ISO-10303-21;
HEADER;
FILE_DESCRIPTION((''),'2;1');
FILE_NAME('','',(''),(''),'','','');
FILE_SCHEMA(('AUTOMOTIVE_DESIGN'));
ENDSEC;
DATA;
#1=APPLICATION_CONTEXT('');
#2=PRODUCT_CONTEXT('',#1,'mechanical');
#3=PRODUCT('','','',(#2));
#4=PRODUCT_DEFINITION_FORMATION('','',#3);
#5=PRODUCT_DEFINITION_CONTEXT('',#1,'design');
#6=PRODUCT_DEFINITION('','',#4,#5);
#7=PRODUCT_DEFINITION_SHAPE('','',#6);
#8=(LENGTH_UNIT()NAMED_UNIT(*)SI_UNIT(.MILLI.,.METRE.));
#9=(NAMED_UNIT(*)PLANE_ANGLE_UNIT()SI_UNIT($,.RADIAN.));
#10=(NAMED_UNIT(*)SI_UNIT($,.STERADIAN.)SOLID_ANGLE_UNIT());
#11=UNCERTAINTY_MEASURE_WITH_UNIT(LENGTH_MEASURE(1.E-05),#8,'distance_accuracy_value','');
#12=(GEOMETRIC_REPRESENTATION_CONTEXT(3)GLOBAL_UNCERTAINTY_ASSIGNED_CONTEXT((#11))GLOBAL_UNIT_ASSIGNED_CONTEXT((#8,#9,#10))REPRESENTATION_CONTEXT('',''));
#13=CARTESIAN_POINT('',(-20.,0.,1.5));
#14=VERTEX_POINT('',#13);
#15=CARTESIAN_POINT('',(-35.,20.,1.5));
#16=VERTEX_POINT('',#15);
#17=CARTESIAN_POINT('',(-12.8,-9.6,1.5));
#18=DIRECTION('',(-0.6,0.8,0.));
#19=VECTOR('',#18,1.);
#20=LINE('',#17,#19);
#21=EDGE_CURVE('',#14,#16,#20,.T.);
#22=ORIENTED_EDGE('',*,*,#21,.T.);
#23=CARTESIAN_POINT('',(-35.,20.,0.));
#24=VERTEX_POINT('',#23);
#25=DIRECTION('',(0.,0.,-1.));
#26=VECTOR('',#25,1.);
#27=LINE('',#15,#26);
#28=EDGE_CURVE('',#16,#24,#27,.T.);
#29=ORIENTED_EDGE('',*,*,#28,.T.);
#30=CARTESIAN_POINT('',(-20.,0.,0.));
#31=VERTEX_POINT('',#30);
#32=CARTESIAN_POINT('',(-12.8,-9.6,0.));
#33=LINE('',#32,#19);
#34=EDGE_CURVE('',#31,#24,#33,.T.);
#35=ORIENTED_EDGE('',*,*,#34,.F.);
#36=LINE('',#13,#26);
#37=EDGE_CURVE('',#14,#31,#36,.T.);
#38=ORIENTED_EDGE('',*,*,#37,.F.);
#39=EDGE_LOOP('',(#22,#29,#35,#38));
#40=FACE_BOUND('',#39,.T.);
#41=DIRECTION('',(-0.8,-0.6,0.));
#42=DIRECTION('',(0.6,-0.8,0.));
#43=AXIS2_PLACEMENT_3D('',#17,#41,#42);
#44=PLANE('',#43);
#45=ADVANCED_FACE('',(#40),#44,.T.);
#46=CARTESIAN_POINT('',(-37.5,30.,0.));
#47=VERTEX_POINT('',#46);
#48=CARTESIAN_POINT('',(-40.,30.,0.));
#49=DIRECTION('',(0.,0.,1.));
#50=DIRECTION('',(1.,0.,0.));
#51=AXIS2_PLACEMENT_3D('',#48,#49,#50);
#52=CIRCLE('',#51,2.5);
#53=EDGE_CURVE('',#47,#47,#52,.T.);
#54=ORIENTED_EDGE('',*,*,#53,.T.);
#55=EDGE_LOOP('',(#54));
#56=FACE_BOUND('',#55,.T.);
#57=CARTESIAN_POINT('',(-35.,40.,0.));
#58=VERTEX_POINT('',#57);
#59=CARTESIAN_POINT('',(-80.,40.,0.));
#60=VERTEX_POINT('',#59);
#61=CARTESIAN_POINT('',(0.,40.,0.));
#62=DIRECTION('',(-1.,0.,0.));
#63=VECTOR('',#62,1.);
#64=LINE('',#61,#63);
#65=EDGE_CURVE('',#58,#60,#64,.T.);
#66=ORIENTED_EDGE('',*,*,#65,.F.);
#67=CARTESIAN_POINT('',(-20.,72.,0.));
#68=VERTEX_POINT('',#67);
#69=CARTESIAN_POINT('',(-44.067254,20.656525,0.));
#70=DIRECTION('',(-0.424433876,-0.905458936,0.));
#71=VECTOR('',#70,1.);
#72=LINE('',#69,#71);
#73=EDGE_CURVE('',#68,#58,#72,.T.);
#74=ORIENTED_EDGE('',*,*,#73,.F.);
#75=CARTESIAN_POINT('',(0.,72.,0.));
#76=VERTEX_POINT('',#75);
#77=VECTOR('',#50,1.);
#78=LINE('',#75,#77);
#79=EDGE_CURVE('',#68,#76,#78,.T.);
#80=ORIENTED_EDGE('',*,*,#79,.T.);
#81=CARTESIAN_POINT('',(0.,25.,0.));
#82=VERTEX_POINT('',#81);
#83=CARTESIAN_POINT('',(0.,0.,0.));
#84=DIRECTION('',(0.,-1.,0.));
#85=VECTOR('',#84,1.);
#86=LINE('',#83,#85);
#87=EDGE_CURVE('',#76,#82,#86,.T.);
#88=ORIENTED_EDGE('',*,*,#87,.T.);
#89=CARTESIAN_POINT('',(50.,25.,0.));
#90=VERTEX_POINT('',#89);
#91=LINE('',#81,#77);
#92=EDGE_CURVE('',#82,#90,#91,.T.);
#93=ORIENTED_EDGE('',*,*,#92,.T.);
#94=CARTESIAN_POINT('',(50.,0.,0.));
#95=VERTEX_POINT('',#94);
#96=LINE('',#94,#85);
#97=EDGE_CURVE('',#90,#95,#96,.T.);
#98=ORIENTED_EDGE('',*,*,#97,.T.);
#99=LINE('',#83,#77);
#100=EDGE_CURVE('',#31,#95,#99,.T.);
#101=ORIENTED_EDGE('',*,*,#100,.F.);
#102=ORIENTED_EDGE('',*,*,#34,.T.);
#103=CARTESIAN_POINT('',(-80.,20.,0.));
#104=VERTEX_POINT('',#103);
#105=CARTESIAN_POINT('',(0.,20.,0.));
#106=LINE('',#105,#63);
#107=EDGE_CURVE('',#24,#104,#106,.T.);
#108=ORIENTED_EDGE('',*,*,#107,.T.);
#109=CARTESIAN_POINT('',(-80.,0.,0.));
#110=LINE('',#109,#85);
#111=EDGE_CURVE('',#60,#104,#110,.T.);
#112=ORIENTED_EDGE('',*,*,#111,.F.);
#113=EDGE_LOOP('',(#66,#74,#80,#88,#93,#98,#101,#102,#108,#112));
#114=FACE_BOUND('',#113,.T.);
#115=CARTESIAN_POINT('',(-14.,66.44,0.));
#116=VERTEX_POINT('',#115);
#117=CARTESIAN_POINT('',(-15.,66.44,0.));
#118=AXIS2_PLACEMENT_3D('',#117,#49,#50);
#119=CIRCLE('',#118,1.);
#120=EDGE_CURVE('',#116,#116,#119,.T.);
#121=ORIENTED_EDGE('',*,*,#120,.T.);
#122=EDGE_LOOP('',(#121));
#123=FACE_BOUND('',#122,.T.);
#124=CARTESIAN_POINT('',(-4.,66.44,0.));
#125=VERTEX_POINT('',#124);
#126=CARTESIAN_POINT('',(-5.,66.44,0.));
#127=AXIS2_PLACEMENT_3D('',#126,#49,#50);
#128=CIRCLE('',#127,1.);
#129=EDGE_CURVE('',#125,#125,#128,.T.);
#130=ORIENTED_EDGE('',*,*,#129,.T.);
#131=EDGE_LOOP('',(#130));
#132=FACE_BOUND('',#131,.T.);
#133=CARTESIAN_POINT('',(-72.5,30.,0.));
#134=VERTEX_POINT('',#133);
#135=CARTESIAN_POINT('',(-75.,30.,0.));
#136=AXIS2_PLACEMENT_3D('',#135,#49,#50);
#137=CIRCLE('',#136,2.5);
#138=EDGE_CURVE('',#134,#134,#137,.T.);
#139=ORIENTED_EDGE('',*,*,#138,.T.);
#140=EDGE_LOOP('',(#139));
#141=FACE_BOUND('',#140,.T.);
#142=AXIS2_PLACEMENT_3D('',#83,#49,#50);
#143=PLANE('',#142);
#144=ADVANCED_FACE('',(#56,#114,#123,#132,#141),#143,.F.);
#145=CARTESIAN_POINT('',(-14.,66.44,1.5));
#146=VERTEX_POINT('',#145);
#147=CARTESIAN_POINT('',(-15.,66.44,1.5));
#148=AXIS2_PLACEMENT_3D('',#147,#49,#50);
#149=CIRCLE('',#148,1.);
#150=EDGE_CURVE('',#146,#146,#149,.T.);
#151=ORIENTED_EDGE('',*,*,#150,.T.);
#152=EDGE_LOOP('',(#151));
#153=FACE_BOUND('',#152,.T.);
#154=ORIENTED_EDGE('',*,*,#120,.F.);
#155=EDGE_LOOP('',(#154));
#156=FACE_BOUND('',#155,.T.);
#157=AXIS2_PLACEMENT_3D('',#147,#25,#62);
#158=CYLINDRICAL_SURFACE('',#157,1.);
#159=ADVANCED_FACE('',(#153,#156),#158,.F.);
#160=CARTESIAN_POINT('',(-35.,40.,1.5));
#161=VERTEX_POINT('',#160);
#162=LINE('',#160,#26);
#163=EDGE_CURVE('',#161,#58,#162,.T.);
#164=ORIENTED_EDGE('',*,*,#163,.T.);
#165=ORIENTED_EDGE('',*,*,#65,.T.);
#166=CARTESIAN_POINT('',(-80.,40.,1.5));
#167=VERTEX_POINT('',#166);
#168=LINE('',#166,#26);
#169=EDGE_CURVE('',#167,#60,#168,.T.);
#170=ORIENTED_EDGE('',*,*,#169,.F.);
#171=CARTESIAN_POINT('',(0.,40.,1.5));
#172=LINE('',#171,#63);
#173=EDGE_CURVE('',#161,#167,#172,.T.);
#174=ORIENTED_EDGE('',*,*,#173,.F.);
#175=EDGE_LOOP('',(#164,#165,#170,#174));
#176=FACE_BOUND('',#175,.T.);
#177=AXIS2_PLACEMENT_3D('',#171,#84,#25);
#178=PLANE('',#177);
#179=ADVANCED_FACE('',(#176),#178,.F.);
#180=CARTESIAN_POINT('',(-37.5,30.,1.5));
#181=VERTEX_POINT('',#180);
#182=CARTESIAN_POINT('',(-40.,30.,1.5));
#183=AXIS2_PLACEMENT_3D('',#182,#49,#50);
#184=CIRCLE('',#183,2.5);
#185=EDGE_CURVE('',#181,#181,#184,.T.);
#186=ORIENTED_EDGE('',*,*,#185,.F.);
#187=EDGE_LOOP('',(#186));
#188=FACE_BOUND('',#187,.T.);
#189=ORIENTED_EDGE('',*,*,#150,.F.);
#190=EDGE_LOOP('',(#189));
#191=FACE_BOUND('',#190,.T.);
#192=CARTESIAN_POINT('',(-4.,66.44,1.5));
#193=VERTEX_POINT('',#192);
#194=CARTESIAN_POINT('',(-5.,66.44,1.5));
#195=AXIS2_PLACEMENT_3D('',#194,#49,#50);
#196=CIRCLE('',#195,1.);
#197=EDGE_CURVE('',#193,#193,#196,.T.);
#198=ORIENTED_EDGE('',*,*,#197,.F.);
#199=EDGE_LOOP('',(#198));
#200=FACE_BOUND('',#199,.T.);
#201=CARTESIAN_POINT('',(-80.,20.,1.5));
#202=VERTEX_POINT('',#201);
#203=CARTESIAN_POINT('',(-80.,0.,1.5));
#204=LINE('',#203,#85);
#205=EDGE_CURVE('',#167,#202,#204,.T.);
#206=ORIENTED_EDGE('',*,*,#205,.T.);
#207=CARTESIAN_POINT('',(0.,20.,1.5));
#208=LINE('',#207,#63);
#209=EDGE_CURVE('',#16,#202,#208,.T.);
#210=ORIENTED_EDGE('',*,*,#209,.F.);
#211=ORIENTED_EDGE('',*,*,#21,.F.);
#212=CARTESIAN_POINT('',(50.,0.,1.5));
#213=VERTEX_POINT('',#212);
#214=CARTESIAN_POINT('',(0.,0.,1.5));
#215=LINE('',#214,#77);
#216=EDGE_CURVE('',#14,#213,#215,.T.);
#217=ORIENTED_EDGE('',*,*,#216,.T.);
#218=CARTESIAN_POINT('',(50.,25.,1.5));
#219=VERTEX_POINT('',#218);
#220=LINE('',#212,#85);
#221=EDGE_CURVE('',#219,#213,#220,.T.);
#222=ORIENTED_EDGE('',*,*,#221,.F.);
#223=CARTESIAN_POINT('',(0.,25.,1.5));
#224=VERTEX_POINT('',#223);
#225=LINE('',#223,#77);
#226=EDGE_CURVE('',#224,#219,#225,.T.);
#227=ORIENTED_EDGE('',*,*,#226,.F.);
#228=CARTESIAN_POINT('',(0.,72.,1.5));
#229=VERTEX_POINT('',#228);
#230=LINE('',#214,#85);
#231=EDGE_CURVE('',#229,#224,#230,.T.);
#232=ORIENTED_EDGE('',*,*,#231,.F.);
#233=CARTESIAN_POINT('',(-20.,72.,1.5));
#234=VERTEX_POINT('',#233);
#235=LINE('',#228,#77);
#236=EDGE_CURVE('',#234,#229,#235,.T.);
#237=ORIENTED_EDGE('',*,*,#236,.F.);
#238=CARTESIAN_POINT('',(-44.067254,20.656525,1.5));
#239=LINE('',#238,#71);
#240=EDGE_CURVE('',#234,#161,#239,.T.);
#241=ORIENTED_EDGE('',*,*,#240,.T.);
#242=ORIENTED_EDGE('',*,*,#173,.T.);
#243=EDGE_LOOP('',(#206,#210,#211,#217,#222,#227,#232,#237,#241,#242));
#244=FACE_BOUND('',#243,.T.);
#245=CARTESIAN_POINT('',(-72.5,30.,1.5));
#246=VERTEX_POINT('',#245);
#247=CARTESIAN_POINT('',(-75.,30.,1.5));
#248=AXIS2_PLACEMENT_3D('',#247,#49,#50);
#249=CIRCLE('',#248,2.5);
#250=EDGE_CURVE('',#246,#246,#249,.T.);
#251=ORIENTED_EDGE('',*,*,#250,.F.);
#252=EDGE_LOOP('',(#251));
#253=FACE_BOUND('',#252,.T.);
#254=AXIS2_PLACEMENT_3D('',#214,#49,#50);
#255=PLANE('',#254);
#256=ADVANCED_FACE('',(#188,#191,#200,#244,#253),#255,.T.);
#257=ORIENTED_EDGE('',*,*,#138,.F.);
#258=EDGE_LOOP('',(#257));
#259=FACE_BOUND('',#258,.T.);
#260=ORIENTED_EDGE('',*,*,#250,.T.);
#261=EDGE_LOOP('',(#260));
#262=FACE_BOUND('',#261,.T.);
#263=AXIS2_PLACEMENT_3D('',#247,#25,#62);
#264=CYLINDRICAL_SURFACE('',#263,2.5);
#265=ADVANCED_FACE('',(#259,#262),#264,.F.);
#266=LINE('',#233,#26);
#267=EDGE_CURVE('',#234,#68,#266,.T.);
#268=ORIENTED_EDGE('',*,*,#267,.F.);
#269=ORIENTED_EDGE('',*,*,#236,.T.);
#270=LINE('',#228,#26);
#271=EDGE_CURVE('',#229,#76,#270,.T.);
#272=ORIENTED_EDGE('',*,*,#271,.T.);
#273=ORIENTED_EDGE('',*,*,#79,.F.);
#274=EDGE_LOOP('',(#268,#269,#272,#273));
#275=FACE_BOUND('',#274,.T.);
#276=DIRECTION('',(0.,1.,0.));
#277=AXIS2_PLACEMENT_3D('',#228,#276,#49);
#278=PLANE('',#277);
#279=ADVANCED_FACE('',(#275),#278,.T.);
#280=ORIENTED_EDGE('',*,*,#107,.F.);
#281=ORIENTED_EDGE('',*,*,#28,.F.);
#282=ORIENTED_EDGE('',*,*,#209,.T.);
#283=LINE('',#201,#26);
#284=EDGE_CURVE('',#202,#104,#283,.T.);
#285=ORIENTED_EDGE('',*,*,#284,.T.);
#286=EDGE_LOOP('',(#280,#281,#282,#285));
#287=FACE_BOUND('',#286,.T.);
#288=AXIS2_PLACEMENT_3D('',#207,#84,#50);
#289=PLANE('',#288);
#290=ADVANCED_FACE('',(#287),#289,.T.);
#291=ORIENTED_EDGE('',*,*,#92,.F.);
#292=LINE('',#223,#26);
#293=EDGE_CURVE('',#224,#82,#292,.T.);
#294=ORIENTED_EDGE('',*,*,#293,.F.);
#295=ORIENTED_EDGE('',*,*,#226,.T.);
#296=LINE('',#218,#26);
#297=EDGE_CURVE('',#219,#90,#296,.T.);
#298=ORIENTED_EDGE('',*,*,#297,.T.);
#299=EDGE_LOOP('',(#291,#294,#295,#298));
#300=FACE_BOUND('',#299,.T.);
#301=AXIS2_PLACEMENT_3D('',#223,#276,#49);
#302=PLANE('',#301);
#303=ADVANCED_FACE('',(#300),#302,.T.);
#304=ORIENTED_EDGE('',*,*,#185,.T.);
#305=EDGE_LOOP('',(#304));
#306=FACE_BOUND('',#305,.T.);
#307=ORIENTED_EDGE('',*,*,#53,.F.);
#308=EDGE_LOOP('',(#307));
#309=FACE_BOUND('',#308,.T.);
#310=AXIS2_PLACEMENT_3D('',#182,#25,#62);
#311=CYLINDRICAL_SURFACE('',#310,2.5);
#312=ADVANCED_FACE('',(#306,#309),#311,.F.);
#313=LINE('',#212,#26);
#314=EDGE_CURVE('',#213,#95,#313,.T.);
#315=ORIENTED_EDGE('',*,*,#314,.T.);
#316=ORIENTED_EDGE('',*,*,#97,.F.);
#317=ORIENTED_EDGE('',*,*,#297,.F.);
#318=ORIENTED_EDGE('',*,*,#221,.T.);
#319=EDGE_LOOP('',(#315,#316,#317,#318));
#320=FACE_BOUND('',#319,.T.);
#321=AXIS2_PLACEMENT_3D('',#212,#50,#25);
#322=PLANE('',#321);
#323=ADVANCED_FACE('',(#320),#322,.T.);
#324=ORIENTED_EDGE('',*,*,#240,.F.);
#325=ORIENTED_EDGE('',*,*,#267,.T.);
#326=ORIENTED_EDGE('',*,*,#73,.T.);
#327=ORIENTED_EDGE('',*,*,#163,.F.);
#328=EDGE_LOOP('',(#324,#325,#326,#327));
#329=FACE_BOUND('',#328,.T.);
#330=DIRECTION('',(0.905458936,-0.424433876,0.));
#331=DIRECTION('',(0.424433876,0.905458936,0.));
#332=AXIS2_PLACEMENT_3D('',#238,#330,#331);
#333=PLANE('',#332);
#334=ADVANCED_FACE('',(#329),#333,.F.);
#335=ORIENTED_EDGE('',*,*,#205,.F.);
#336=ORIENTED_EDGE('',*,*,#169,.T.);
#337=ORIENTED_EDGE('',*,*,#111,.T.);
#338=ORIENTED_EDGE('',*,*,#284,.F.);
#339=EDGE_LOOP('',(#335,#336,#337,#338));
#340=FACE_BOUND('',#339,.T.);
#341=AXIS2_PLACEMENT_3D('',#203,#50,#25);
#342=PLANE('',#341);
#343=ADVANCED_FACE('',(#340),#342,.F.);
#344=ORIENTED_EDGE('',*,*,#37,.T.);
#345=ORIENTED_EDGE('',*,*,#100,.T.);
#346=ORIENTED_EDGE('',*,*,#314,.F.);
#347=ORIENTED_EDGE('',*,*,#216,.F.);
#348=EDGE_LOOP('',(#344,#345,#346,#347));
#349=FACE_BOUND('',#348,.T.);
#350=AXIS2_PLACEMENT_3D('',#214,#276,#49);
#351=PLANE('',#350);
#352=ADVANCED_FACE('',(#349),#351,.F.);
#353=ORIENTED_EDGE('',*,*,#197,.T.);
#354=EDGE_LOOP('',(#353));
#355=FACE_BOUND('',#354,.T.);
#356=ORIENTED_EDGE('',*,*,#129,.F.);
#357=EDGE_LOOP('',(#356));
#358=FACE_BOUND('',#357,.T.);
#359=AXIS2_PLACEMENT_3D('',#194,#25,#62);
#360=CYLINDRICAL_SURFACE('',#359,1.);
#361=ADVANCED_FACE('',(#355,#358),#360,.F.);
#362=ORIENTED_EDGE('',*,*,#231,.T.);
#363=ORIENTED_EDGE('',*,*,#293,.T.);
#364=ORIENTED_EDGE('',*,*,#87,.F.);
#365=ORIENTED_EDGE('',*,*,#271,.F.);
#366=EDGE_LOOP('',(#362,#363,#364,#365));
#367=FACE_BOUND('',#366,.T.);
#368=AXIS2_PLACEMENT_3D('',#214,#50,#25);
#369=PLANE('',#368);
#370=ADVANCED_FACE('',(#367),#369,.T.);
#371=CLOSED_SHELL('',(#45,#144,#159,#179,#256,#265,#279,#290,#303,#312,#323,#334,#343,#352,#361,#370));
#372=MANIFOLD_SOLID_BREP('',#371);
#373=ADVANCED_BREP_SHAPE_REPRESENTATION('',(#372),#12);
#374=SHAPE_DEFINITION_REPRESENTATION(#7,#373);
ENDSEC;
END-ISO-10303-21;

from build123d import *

# Parameters (mm, degrees)
SKETCH1_R           = 1
BOSS_EXTRUDE1_DEPTH = 1.5


with BuildPart() as part:
    # Sketch1 → Boss-Extrude1 (new body)
    # profile 1 of 5: a face of its own
    with BuildSketch(Plane.XY):
        Polygon((0, 72), (-20, 72), (-35, 40), (-57.5, 40), (-57.5, 30), (-57.5, 20), (-35, 20), (-20, 0), (0, 0), (50, 0), (50, 25), (0, 25), align=None)
        with BuildLine():
            ThreePointArc((-40, 27.5), (-41.767766953, 28.232233047), (-42.5, 30))
            ThreePointArc((-42.5, 30), (-41.767766953, 31.767766953), (-40, 32.5))
            ThreePointArc((-40, 32.5), (-38.232233047, 31.767766953), (-37.5, 30))
            ThreePointArc((-37.5, 30), (-38.232233047, 28.232233047), (-40, 27.5))
        make_face(mode=Mode.SUBTRACT)
        with Locations((-15, 66.44)):
            Circle(SKETCH1_R, mode=Mode.SUBTRACT)
        with Locations((-5, 66.44)):
            Circle(SKETCH1_R, mode=Mode.SUBTRACT)
    # profile 2 of 5: a face of its own
    with BuildSketch(Plane.XY):
        with BuildLine():
            Line((-57.5, 30), (-57.5, 40))
            Line((-57.5, 40), (-75, 40))
            Line((-75, 40), (-75, 32.5))
            ThreePointArc((-75, 32.5), (-73.232233047, 31.767766953), (-72.5, 30))
            Line((-72.5, 30), (-57.5, 30))
        make_face()
    # profile 3 of 5: a face of its own
    with BuildSketch(Plane.XY):
        with BuildLine():
            Line((-57.5, 20), (-57.5, 30))
            Line((-57.5, 30), (-72.5, 30))
            ThreePointArc((-72.5, 30), (-73.232233047, 28.232233047), (-75, 27.5))
            Line((-75, 27.5), (-75, 20))
            Line((-75, 20), (-57.5, 20))
        make_face()
    # profile 4 of 5: a face of its own
    with BuildSketch(Plane.XY):
        with BuildLine():
            Line((-77.5, 30), (-80, 30))
            Line((-80, 30), (-80, 20))
            Line((-80, 20), (-75, 20))
            Line((-75, 20), (-75, 27.5))
            ThreePointArc((-75, 27.5), (-76.767766953, 28.232233047), (-77.5, 30))
        make_face()
    # profile 5 of 5: a face of its own
    with BuildSketch(Plane.XY):
        with BuildLine():
            Line((-75, 32.5), (-75, 40))
            Line((-75, 40), (-80, 40))
            Line((-80, 40), (-80, 30))
            Line((-80, 30), (-77.5, 30))
            ThreePointArc((-77.5, 30), (-76.767766953, 31.767766953), (-75, 32.5))
        make_face()
    extrude(amount=BOSS_EXTRUDE1_DEPTH)


solid = part.part
